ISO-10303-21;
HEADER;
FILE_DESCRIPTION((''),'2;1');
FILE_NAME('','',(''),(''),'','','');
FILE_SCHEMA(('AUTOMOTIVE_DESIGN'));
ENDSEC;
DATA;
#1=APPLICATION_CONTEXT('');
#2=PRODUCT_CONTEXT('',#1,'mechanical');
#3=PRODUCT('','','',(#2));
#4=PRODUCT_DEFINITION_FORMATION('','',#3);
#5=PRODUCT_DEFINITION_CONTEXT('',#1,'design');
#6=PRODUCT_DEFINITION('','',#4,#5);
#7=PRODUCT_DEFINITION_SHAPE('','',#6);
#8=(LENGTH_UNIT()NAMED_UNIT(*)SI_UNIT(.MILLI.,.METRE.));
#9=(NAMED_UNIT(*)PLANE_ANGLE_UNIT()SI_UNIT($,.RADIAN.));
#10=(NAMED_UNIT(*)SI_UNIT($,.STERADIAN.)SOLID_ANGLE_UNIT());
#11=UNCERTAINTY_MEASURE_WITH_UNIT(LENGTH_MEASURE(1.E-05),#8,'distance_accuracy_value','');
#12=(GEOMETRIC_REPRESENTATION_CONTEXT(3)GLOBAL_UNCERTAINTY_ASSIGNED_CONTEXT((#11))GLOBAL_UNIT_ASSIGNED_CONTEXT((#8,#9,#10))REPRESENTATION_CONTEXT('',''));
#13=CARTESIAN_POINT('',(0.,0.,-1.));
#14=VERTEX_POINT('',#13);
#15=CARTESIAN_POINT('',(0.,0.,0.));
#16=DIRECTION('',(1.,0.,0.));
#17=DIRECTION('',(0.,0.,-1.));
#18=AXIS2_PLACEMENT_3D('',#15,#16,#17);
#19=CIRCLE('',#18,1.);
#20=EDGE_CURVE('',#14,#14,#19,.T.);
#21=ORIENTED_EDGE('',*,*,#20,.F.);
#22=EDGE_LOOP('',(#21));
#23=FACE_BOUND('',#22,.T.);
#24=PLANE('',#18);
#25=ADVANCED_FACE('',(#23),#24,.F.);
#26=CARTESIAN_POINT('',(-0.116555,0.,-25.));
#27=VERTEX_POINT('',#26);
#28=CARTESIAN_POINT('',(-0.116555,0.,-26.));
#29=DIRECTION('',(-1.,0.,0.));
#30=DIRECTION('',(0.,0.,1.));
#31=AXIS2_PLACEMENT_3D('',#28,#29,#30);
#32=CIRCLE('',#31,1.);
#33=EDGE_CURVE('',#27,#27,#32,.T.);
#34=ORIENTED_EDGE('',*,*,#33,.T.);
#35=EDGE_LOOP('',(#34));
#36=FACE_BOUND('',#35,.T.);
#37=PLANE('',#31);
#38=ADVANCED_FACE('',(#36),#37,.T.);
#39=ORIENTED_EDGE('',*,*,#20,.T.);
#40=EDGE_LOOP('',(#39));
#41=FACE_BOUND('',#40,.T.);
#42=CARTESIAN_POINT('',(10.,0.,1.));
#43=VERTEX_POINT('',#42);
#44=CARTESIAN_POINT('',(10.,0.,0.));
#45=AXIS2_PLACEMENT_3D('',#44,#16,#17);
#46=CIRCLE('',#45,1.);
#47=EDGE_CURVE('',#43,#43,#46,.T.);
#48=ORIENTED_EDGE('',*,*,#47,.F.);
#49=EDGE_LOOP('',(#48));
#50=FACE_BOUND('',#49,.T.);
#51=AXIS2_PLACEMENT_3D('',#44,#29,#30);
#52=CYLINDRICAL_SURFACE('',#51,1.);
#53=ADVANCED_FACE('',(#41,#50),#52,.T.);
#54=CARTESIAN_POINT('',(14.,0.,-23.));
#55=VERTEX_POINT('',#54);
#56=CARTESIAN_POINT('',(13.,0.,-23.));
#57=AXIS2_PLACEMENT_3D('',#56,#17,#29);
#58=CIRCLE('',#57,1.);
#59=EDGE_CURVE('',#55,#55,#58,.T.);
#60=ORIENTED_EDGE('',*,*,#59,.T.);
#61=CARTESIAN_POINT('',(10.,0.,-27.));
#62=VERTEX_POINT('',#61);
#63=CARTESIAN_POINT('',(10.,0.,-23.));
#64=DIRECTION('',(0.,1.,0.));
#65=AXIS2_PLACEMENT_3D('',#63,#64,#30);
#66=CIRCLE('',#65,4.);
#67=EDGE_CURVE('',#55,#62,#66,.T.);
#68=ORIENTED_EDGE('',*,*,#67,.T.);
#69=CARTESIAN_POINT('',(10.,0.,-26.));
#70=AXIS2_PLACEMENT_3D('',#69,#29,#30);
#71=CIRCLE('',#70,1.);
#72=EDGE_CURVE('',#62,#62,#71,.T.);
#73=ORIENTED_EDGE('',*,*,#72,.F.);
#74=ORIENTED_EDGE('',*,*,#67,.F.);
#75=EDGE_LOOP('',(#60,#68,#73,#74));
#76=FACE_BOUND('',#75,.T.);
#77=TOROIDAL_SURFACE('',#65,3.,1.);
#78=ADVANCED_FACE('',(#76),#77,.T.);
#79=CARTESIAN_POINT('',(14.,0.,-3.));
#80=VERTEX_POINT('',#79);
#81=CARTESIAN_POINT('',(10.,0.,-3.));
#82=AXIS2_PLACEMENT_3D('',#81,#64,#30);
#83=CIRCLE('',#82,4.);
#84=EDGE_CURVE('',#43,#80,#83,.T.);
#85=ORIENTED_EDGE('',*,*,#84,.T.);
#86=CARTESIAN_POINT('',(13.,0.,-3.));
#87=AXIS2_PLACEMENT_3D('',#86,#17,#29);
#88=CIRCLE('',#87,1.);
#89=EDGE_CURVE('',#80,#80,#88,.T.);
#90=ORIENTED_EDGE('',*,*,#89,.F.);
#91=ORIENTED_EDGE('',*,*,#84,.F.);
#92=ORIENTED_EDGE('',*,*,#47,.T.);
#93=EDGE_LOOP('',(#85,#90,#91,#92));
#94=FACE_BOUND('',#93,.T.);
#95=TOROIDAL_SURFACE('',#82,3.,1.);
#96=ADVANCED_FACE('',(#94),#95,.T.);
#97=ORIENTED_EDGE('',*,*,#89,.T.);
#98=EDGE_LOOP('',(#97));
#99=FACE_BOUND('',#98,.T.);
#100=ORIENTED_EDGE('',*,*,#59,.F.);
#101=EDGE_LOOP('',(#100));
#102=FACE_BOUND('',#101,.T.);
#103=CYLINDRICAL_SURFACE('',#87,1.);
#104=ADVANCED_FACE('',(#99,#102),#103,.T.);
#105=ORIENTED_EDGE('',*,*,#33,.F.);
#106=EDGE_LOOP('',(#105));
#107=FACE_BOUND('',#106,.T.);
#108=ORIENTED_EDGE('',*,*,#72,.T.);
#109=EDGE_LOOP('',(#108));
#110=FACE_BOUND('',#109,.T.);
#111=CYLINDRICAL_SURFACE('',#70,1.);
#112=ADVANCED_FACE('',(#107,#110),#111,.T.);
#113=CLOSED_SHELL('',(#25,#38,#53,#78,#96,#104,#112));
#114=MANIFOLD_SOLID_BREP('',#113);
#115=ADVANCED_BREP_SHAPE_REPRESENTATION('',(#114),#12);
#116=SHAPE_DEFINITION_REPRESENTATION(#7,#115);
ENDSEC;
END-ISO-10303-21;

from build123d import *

# Parameters (mm, degrees)
SKETCH_1_R = 1


with BuildPart() as part:
    # По траектории1: sweep along a curve in space
    with BuildLine() as sweep_1_path:
        Line((0, 0, 0), (10, 0, 0))
        ThreePointArc((10, 0, 0), (12.121320344, 0, -0.878679656), (13, 0, -3))
        Line((13, 0, -3), (13, 0, -23))
        ThreePointArc((13, 0, -23), (12.121320344, 0, -25.121320344), (10, 0, -26))
        Line((10, 0, -26), (-0.116555464, 0, -26))
    # Эскиз1 → По траектории1 (sweep)
    with BuildSketch(Plane(origin=(0, 0, 0), x_dir=(0, 0, -1), z_dir=(1, 0, 0))):
        Circle(SKETCH_1_R)
    sweep(path=sweep_1_path.line)


solid = part.part
